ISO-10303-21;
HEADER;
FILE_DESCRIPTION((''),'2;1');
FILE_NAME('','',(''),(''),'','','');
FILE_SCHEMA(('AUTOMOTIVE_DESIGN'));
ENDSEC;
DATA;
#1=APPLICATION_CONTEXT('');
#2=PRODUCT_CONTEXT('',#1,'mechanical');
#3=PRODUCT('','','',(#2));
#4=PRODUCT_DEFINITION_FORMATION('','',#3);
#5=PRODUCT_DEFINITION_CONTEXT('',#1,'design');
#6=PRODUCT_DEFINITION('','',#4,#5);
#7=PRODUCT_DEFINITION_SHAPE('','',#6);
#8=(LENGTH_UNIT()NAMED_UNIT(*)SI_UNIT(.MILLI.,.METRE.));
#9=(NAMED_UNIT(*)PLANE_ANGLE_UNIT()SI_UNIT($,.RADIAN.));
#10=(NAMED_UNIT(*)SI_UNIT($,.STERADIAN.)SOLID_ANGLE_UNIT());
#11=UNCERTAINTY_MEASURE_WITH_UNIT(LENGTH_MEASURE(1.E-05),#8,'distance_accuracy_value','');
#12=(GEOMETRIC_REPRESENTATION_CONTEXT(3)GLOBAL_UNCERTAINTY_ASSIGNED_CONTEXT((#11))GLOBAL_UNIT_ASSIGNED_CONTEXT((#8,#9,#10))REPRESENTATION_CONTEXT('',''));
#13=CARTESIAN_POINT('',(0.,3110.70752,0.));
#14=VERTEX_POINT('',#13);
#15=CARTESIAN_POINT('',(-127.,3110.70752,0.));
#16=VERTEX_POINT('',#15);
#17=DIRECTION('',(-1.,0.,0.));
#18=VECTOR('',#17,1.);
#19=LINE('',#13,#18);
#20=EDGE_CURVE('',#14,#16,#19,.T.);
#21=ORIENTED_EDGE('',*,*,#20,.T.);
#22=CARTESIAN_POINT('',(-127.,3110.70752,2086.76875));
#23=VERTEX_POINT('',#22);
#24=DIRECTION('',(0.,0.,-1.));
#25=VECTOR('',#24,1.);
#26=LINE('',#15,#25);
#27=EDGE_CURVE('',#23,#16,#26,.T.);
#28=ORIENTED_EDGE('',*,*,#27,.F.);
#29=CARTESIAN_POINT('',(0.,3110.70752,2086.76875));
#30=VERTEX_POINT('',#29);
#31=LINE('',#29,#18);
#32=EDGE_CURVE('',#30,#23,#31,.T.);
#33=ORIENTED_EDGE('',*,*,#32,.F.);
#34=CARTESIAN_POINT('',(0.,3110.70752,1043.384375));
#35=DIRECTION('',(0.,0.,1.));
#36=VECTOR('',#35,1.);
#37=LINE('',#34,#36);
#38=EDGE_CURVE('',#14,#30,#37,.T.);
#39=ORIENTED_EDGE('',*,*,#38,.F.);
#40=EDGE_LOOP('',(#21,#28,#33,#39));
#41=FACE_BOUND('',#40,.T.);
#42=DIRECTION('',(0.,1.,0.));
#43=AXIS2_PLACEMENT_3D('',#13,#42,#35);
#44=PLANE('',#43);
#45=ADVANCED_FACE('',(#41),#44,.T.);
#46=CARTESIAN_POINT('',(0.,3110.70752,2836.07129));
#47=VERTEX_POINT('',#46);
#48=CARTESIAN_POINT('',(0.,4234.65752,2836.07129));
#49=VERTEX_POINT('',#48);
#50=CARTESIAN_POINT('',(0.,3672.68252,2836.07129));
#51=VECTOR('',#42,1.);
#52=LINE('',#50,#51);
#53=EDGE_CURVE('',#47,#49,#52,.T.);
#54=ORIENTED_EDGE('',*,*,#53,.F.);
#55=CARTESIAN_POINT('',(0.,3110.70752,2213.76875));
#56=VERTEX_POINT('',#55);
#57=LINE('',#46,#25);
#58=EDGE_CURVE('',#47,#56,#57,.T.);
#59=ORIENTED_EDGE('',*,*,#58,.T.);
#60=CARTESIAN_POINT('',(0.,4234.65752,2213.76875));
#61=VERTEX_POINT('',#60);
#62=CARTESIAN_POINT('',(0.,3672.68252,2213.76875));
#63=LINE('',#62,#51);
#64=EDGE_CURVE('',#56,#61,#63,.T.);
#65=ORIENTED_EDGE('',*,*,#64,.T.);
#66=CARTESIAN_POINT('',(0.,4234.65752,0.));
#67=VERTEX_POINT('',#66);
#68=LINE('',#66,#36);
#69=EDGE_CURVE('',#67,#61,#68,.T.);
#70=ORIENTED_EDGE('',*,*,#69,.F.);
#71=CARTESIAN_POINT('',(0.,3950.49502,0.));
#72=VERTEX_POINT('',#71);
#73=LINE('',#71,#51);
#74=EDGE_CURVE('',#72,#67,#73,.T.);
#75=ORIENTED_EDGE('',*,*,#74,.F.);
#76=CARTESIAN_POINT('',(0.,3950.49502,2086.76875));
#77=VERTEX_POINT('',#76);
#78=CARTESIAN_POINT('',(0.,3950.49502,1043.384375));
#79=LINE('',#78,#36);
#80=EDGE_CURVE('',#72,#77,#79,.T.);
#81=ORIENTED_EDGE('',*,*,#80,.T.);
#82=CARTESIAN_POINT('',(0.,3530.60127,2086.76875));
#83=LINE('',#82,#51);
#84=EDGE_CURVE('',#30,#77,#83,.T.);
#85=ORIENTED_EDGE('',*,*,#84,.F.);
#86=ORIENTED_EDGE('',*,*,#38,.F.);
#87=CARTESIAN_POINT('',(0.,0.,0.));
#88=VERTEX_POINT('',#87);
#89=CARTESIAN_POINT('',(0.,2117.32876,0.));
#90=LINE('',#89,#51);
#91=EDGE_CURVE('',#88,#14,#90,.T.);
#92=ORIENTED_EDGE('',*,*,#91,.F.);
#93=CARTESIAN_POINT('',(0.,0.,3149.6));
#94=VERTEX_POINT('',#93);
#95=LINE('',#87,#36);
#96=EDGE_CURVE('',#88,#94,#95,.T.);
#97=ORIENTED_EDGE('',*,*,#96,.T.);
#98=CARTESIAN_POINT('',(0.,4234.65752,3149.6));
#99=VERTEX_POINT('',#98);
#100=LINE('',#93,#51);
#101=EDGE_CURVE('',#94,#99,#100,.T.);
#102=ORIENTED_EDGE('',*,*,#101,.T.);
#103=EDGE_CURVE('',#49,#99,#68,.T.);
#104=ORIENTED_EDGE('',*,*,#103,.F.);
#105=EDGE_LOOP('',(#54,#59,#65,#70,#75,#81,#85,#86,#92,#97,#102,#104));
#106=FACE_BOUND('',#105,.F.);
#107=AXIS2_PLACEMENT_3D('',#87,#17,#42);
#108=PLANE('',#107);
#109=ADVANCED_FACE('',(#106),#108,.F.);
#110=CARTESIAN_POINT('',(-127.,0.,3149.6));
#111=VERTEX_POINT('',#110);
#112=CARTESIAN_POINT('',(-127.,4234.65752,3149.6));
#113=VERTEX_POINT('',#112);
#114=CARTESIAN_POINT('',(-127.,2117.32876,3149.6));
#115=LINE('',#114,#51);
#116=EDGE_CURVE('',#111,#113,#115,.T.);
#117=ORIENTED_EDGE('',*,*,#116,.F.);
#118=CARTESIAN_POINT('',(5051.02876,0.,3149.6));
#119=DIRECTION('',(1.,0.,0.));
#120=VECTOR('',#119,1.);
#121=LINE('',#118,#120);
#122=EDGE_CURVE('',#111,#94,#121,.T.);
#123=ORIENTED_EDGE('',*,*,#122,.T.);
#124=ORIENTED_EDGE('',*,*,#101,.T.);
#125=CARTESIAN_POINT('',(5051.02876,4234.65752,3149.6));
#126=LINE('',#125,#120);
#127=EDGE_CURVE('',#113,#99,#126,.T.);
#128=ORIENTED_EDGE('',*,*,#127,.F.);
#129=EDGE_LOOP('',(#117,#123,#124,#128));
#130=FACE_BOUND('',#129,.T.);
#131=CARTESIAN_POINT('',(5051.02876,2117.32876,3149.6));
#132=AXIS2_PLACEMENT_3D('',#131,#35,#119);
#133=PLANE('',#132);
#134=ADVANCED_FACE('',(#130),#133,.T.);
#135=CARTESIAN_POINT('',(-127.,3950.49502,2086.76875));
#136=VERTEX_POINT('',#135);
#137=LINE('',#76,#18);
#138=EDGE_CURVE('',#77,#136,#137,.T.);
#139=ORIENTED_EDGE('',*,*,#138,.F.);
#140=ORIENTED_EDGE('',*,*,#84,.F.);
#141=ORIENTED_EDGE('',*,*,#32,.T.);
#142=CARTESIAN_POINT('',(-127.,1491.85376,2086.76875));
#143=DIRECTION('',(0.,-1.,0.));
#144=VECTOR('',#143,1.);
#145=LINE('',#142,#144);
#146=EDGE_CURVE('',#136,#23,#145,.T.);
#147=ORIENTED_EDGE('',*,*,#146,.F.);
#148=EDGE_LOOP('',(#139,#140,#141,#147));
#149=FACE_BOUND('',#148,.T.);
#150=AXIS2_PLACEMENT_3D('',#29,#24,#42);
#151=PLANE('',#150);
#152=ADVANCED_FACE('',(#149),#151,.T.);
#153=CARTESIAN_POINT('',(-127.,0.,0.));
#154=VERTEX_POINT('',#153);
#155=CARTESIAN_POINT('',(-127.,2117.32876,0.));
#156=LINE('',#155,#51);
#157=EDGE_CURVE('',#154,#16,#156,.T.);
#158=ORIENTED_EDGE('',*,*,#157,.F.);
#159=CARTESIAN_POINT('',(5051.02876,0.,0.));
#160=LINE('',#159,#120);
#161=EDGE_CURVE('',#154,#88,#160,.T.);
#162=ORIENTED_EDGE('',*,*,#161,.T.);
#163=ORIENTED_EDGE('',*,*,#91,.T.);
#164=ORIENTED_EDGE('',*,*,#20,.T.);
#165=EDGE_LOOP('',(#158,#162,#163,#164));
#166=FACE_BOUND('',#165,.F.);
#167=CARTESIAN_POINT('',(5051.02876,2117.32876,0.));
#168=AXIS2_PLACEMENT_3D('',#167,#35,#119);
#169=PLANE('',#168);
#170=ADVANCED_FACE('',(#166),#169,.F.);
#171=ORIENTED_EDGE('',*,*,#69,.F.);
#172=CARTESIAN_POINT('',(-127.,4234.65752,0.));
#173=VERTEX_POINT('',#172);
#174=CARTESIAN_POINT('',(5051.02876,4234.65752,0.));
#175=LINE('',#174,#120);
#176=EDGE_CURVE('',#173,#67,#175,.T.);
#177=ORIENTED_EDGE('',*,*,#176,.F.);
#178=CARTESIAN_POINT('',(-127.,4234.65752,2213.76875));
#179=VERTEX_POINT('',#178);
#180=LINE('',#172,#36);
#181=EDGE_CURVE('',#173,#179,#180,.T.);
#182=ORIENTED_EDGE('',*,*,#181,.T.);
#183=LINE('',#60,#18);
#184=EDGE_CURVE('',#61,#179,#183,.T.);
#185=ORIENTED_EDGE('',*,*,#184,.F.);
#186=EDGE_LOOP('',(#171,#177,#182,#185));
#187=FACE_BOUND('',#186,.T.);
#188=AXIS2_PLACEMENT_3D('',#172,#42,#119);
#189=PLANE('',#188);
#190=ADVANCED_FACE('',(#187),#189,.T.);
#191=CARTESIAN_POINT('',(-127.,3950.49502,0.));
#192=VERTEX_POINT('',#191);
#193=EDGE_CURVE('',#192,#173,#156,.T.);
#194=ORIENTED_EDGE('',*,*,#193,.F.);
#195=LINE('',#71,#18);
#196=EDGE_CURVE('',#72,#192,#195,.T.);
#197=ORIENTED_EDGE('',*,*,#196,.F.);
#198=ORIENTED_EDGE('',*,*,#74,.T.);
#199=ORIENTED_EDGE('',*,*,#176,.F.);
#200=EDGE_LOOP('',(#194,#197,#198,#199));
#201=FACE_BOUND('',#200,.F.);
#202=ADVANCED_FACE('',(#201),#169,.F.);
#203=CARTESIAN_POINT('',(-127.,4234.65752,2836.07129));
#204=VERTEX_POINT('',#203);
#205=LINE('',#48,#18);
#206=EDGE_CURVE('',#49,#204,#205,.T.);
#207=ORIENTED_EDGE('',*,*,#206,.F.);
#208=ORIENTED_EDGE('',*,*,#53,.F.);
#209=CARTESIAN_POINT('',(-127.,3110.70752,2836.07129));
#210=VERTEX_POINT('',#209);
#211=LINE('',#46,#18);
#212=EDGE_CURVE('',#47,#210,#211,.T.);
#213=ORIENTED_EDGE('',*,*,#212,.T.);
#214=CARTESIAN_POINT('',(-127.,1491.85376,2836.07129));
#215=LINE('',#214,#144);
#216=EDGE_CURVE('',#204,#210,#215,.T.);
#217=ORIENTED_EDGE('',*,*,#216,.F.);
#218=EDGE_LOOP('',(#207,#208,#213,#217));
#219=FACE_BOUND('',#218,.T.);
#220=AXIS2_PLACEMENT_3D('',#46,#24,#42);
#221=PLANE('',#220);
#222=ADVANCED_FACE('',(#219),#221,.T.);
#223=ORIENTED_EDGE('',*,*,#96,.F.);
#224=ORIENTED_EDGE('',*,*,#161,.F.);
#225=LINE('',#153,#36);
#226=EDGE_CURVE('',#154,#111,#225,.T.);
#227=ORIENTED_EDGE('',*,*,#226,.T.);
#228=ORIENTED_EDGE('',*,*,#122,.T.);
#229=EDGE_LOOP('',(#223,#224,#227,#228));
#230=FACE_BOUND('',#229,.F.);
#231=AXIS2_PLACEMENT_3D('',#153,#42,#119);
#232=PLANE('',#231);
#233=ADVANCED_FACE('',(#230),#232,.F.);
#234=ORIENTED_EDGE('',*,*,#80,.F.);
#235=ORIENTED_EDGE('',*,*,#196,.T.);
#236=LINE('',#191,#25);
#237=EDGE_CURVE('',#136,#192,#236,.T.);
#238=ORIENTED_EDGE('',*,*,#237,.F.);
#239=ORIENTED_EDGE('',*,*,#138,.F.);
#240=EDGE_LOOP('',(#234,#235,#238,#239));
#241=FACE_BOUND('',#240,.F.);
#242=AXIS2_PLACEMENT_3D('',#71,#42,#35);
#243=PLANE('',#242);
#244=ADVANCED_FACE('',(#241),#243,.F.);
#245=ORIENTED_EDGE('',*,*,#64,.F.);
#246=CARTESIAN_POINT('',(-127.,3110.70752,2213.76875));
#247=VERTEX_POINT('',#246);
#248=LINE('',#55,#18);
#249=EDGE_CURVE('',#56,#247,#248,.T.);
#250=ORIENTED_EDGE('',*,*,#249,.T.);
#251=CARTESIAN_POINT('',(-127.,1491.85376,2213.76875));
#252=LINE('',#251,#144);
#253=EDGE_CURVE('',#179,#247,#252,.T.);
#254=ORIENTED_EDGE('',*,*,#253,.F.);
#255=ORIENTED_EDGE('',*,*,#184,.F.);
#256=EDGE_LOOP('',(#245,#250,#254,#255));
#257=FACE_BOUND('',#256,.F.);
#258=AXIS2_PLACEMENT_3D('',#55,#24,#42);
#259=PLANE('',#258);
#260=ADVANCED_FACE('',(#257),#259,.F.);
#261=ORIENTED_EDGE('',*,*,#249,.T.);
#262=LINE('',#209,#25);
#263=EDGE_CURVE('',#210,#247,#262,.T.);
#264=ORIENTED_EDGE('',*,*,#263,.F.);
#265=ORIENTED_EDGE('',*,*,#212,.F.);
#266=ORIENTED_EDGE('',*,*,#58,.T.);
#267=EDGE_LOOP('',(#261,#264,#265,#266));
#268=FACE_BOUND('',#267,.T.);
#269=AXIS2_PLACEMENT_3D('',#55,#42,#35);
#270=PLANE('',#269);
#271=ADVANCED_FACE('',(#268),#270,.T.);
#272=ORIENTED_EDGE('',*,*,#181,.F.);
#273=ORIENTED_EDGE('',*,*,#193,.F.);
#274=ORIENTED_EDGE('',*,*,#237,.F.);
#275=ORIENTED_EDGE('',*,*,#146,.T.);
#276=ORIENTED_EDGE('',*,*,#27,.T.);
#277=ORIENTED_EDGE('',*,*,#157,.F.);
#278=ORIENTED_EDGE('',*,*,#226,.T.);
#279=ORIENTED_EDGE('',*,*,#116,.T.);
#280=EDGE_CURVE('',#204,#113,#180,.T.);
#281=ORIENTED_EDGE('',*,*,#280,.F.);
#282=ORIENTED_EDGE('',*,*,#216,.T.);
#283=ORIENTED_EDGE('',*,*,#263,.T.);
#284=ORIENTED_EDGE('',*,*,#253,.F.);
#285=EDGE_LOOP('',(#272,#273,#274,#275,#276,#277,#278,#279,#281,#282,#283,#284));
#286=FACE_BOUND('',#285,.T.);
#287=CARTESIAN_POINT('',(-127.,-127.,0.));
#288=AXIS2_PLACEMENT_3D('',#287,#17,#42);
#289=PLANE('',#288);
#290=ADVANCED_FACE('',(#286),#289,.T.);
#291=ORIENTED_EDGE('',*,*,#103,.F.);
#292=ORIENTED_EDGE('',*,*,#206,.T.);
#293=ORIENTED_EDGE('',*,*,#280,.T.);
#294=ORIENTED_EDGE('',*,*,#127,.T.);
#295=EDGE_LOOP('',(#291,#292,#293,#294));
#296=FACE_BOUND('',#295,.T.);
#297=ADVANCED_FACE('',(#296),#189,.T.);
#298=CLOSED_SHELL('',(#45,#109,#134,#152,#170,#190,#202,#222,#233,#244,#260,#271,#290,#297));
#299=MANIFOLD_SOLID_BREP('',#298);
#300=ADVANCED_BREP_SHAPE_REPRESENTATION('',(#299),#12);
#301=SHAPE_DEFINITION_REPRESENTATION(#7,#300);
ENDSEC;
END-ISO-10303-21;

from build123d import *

# Parameters (mm, degrees)
F1_W      = 10356.05752
F1_H      = 4488.65752
F1_W_2    = 10102.05752
F1_H_2    = 4234.65752
F2_DEPTH  = 3149.6
F3_W      = 839.7875
F3_H      = 2086.76875
F4_DEPTH  = 127.001
F5_W      = 1123.95
F5_H      = 457.20254
F6_DEPTH  = 127.001
F7_DEPTH  = 127
F8_DEPTH  = 139.7
F9_DEPTH  = 25.4
F10_DEPTH = 10229.05752
F0_W      = 10102.05752
F0_H      = 4234.65752
F11_DEPTH = 25.4
F12_DEPTH = 127


with BuildPart() as f2:
    # F1 (on face) → F2 (new body)
    with BuildSketch(Plane.XY):
        with Locations((5051.02876, 2117.32876)):
            Rectangle(F1_W, F1_H)
        with Locations((5051.02876, 2117.32876)):
            Rectangle(F1_W_2, F1_H_2, mode=Mode.SUBTRACT)
    extrude(amount=F2_DEPTH)

    # F3 (on face) → F4 (cut, through all)
    with BuildSketch(Plane.YZ):
        with Locations((3530.60127, 1043.384375)):
            Rectangle(F3_W, F3_H)
    extrude(amount=-F4_DEPTH, mode=Mode.SUBTRACT)

    # F5 (on face) → F6 (cut, through all)
    with BuildSketch(Plane.YZ):
        with Locations((3672.68252, 2442.37002)):
            Rectangle(F5_W, F5_H)
    extrude(amount=-F6_DEPTH, mode=Mode.SUBTRACT)

    # F7 (cut): a face of the model
    f7_faces = [f2.faces().sort_by_distance(p)[0] for p in [
        (5051.02876, -127, 1574.8),
    ]]
    extrude(f7_faces, amount=-F7_DEPTH, mode=Mode.SUBTRACT)

    # F8 (cut): a face of the model
    f8_faces = [f2.faces().sort_by_distance(p)[0] for p in [
        (-63.5, 3672.68252, 2670.97129),
    ]]
    extrude(f8_faces, amount=-F8_DEPTH, mode=Mode.SUBTRACT)

    # F9 (cut): a face of the model
    f9_faces = [f2.faces().sort_by_distance(p)[0] for p in [
        (-63.5, 3672.68252, 2810.67129),
    ]]
    extrude(f9_faces, amount=-F9_DEPTH, mode=Mode.SUBTRACT)

    # F10 (cut, through all): a face of the model
    f10_faces = [f2.faces().sort_by_distance(p)[0] for p in [
        (10229.05752, 2180.82876, 1574.8),
    ]]
    extrude(f10_faces, amount=-F10_DEPTH, mode=Mode.SUBTRACT)

    # F0 (on Top) → F11 (cut)
    with BuildSketch(Plane.XY):
        with Locations((5051.02876, 2117.32876)):
            Rectangle(F0_W, F0_H)
    extrude(amount=-F11_DEPTH, mode=Mode.SUBTRACT)

    # F12 (cut): a face of the model
    f12_faces = [f2.faces().sort_by_distance(p)[0] for p in [
        (-63.5, 4361.65752, 1574.8),
    ]]
    extrude(f12_faces, amount=-F12_DEPTH, mode=Mode.SUBTRACT)


solid = f2.part
